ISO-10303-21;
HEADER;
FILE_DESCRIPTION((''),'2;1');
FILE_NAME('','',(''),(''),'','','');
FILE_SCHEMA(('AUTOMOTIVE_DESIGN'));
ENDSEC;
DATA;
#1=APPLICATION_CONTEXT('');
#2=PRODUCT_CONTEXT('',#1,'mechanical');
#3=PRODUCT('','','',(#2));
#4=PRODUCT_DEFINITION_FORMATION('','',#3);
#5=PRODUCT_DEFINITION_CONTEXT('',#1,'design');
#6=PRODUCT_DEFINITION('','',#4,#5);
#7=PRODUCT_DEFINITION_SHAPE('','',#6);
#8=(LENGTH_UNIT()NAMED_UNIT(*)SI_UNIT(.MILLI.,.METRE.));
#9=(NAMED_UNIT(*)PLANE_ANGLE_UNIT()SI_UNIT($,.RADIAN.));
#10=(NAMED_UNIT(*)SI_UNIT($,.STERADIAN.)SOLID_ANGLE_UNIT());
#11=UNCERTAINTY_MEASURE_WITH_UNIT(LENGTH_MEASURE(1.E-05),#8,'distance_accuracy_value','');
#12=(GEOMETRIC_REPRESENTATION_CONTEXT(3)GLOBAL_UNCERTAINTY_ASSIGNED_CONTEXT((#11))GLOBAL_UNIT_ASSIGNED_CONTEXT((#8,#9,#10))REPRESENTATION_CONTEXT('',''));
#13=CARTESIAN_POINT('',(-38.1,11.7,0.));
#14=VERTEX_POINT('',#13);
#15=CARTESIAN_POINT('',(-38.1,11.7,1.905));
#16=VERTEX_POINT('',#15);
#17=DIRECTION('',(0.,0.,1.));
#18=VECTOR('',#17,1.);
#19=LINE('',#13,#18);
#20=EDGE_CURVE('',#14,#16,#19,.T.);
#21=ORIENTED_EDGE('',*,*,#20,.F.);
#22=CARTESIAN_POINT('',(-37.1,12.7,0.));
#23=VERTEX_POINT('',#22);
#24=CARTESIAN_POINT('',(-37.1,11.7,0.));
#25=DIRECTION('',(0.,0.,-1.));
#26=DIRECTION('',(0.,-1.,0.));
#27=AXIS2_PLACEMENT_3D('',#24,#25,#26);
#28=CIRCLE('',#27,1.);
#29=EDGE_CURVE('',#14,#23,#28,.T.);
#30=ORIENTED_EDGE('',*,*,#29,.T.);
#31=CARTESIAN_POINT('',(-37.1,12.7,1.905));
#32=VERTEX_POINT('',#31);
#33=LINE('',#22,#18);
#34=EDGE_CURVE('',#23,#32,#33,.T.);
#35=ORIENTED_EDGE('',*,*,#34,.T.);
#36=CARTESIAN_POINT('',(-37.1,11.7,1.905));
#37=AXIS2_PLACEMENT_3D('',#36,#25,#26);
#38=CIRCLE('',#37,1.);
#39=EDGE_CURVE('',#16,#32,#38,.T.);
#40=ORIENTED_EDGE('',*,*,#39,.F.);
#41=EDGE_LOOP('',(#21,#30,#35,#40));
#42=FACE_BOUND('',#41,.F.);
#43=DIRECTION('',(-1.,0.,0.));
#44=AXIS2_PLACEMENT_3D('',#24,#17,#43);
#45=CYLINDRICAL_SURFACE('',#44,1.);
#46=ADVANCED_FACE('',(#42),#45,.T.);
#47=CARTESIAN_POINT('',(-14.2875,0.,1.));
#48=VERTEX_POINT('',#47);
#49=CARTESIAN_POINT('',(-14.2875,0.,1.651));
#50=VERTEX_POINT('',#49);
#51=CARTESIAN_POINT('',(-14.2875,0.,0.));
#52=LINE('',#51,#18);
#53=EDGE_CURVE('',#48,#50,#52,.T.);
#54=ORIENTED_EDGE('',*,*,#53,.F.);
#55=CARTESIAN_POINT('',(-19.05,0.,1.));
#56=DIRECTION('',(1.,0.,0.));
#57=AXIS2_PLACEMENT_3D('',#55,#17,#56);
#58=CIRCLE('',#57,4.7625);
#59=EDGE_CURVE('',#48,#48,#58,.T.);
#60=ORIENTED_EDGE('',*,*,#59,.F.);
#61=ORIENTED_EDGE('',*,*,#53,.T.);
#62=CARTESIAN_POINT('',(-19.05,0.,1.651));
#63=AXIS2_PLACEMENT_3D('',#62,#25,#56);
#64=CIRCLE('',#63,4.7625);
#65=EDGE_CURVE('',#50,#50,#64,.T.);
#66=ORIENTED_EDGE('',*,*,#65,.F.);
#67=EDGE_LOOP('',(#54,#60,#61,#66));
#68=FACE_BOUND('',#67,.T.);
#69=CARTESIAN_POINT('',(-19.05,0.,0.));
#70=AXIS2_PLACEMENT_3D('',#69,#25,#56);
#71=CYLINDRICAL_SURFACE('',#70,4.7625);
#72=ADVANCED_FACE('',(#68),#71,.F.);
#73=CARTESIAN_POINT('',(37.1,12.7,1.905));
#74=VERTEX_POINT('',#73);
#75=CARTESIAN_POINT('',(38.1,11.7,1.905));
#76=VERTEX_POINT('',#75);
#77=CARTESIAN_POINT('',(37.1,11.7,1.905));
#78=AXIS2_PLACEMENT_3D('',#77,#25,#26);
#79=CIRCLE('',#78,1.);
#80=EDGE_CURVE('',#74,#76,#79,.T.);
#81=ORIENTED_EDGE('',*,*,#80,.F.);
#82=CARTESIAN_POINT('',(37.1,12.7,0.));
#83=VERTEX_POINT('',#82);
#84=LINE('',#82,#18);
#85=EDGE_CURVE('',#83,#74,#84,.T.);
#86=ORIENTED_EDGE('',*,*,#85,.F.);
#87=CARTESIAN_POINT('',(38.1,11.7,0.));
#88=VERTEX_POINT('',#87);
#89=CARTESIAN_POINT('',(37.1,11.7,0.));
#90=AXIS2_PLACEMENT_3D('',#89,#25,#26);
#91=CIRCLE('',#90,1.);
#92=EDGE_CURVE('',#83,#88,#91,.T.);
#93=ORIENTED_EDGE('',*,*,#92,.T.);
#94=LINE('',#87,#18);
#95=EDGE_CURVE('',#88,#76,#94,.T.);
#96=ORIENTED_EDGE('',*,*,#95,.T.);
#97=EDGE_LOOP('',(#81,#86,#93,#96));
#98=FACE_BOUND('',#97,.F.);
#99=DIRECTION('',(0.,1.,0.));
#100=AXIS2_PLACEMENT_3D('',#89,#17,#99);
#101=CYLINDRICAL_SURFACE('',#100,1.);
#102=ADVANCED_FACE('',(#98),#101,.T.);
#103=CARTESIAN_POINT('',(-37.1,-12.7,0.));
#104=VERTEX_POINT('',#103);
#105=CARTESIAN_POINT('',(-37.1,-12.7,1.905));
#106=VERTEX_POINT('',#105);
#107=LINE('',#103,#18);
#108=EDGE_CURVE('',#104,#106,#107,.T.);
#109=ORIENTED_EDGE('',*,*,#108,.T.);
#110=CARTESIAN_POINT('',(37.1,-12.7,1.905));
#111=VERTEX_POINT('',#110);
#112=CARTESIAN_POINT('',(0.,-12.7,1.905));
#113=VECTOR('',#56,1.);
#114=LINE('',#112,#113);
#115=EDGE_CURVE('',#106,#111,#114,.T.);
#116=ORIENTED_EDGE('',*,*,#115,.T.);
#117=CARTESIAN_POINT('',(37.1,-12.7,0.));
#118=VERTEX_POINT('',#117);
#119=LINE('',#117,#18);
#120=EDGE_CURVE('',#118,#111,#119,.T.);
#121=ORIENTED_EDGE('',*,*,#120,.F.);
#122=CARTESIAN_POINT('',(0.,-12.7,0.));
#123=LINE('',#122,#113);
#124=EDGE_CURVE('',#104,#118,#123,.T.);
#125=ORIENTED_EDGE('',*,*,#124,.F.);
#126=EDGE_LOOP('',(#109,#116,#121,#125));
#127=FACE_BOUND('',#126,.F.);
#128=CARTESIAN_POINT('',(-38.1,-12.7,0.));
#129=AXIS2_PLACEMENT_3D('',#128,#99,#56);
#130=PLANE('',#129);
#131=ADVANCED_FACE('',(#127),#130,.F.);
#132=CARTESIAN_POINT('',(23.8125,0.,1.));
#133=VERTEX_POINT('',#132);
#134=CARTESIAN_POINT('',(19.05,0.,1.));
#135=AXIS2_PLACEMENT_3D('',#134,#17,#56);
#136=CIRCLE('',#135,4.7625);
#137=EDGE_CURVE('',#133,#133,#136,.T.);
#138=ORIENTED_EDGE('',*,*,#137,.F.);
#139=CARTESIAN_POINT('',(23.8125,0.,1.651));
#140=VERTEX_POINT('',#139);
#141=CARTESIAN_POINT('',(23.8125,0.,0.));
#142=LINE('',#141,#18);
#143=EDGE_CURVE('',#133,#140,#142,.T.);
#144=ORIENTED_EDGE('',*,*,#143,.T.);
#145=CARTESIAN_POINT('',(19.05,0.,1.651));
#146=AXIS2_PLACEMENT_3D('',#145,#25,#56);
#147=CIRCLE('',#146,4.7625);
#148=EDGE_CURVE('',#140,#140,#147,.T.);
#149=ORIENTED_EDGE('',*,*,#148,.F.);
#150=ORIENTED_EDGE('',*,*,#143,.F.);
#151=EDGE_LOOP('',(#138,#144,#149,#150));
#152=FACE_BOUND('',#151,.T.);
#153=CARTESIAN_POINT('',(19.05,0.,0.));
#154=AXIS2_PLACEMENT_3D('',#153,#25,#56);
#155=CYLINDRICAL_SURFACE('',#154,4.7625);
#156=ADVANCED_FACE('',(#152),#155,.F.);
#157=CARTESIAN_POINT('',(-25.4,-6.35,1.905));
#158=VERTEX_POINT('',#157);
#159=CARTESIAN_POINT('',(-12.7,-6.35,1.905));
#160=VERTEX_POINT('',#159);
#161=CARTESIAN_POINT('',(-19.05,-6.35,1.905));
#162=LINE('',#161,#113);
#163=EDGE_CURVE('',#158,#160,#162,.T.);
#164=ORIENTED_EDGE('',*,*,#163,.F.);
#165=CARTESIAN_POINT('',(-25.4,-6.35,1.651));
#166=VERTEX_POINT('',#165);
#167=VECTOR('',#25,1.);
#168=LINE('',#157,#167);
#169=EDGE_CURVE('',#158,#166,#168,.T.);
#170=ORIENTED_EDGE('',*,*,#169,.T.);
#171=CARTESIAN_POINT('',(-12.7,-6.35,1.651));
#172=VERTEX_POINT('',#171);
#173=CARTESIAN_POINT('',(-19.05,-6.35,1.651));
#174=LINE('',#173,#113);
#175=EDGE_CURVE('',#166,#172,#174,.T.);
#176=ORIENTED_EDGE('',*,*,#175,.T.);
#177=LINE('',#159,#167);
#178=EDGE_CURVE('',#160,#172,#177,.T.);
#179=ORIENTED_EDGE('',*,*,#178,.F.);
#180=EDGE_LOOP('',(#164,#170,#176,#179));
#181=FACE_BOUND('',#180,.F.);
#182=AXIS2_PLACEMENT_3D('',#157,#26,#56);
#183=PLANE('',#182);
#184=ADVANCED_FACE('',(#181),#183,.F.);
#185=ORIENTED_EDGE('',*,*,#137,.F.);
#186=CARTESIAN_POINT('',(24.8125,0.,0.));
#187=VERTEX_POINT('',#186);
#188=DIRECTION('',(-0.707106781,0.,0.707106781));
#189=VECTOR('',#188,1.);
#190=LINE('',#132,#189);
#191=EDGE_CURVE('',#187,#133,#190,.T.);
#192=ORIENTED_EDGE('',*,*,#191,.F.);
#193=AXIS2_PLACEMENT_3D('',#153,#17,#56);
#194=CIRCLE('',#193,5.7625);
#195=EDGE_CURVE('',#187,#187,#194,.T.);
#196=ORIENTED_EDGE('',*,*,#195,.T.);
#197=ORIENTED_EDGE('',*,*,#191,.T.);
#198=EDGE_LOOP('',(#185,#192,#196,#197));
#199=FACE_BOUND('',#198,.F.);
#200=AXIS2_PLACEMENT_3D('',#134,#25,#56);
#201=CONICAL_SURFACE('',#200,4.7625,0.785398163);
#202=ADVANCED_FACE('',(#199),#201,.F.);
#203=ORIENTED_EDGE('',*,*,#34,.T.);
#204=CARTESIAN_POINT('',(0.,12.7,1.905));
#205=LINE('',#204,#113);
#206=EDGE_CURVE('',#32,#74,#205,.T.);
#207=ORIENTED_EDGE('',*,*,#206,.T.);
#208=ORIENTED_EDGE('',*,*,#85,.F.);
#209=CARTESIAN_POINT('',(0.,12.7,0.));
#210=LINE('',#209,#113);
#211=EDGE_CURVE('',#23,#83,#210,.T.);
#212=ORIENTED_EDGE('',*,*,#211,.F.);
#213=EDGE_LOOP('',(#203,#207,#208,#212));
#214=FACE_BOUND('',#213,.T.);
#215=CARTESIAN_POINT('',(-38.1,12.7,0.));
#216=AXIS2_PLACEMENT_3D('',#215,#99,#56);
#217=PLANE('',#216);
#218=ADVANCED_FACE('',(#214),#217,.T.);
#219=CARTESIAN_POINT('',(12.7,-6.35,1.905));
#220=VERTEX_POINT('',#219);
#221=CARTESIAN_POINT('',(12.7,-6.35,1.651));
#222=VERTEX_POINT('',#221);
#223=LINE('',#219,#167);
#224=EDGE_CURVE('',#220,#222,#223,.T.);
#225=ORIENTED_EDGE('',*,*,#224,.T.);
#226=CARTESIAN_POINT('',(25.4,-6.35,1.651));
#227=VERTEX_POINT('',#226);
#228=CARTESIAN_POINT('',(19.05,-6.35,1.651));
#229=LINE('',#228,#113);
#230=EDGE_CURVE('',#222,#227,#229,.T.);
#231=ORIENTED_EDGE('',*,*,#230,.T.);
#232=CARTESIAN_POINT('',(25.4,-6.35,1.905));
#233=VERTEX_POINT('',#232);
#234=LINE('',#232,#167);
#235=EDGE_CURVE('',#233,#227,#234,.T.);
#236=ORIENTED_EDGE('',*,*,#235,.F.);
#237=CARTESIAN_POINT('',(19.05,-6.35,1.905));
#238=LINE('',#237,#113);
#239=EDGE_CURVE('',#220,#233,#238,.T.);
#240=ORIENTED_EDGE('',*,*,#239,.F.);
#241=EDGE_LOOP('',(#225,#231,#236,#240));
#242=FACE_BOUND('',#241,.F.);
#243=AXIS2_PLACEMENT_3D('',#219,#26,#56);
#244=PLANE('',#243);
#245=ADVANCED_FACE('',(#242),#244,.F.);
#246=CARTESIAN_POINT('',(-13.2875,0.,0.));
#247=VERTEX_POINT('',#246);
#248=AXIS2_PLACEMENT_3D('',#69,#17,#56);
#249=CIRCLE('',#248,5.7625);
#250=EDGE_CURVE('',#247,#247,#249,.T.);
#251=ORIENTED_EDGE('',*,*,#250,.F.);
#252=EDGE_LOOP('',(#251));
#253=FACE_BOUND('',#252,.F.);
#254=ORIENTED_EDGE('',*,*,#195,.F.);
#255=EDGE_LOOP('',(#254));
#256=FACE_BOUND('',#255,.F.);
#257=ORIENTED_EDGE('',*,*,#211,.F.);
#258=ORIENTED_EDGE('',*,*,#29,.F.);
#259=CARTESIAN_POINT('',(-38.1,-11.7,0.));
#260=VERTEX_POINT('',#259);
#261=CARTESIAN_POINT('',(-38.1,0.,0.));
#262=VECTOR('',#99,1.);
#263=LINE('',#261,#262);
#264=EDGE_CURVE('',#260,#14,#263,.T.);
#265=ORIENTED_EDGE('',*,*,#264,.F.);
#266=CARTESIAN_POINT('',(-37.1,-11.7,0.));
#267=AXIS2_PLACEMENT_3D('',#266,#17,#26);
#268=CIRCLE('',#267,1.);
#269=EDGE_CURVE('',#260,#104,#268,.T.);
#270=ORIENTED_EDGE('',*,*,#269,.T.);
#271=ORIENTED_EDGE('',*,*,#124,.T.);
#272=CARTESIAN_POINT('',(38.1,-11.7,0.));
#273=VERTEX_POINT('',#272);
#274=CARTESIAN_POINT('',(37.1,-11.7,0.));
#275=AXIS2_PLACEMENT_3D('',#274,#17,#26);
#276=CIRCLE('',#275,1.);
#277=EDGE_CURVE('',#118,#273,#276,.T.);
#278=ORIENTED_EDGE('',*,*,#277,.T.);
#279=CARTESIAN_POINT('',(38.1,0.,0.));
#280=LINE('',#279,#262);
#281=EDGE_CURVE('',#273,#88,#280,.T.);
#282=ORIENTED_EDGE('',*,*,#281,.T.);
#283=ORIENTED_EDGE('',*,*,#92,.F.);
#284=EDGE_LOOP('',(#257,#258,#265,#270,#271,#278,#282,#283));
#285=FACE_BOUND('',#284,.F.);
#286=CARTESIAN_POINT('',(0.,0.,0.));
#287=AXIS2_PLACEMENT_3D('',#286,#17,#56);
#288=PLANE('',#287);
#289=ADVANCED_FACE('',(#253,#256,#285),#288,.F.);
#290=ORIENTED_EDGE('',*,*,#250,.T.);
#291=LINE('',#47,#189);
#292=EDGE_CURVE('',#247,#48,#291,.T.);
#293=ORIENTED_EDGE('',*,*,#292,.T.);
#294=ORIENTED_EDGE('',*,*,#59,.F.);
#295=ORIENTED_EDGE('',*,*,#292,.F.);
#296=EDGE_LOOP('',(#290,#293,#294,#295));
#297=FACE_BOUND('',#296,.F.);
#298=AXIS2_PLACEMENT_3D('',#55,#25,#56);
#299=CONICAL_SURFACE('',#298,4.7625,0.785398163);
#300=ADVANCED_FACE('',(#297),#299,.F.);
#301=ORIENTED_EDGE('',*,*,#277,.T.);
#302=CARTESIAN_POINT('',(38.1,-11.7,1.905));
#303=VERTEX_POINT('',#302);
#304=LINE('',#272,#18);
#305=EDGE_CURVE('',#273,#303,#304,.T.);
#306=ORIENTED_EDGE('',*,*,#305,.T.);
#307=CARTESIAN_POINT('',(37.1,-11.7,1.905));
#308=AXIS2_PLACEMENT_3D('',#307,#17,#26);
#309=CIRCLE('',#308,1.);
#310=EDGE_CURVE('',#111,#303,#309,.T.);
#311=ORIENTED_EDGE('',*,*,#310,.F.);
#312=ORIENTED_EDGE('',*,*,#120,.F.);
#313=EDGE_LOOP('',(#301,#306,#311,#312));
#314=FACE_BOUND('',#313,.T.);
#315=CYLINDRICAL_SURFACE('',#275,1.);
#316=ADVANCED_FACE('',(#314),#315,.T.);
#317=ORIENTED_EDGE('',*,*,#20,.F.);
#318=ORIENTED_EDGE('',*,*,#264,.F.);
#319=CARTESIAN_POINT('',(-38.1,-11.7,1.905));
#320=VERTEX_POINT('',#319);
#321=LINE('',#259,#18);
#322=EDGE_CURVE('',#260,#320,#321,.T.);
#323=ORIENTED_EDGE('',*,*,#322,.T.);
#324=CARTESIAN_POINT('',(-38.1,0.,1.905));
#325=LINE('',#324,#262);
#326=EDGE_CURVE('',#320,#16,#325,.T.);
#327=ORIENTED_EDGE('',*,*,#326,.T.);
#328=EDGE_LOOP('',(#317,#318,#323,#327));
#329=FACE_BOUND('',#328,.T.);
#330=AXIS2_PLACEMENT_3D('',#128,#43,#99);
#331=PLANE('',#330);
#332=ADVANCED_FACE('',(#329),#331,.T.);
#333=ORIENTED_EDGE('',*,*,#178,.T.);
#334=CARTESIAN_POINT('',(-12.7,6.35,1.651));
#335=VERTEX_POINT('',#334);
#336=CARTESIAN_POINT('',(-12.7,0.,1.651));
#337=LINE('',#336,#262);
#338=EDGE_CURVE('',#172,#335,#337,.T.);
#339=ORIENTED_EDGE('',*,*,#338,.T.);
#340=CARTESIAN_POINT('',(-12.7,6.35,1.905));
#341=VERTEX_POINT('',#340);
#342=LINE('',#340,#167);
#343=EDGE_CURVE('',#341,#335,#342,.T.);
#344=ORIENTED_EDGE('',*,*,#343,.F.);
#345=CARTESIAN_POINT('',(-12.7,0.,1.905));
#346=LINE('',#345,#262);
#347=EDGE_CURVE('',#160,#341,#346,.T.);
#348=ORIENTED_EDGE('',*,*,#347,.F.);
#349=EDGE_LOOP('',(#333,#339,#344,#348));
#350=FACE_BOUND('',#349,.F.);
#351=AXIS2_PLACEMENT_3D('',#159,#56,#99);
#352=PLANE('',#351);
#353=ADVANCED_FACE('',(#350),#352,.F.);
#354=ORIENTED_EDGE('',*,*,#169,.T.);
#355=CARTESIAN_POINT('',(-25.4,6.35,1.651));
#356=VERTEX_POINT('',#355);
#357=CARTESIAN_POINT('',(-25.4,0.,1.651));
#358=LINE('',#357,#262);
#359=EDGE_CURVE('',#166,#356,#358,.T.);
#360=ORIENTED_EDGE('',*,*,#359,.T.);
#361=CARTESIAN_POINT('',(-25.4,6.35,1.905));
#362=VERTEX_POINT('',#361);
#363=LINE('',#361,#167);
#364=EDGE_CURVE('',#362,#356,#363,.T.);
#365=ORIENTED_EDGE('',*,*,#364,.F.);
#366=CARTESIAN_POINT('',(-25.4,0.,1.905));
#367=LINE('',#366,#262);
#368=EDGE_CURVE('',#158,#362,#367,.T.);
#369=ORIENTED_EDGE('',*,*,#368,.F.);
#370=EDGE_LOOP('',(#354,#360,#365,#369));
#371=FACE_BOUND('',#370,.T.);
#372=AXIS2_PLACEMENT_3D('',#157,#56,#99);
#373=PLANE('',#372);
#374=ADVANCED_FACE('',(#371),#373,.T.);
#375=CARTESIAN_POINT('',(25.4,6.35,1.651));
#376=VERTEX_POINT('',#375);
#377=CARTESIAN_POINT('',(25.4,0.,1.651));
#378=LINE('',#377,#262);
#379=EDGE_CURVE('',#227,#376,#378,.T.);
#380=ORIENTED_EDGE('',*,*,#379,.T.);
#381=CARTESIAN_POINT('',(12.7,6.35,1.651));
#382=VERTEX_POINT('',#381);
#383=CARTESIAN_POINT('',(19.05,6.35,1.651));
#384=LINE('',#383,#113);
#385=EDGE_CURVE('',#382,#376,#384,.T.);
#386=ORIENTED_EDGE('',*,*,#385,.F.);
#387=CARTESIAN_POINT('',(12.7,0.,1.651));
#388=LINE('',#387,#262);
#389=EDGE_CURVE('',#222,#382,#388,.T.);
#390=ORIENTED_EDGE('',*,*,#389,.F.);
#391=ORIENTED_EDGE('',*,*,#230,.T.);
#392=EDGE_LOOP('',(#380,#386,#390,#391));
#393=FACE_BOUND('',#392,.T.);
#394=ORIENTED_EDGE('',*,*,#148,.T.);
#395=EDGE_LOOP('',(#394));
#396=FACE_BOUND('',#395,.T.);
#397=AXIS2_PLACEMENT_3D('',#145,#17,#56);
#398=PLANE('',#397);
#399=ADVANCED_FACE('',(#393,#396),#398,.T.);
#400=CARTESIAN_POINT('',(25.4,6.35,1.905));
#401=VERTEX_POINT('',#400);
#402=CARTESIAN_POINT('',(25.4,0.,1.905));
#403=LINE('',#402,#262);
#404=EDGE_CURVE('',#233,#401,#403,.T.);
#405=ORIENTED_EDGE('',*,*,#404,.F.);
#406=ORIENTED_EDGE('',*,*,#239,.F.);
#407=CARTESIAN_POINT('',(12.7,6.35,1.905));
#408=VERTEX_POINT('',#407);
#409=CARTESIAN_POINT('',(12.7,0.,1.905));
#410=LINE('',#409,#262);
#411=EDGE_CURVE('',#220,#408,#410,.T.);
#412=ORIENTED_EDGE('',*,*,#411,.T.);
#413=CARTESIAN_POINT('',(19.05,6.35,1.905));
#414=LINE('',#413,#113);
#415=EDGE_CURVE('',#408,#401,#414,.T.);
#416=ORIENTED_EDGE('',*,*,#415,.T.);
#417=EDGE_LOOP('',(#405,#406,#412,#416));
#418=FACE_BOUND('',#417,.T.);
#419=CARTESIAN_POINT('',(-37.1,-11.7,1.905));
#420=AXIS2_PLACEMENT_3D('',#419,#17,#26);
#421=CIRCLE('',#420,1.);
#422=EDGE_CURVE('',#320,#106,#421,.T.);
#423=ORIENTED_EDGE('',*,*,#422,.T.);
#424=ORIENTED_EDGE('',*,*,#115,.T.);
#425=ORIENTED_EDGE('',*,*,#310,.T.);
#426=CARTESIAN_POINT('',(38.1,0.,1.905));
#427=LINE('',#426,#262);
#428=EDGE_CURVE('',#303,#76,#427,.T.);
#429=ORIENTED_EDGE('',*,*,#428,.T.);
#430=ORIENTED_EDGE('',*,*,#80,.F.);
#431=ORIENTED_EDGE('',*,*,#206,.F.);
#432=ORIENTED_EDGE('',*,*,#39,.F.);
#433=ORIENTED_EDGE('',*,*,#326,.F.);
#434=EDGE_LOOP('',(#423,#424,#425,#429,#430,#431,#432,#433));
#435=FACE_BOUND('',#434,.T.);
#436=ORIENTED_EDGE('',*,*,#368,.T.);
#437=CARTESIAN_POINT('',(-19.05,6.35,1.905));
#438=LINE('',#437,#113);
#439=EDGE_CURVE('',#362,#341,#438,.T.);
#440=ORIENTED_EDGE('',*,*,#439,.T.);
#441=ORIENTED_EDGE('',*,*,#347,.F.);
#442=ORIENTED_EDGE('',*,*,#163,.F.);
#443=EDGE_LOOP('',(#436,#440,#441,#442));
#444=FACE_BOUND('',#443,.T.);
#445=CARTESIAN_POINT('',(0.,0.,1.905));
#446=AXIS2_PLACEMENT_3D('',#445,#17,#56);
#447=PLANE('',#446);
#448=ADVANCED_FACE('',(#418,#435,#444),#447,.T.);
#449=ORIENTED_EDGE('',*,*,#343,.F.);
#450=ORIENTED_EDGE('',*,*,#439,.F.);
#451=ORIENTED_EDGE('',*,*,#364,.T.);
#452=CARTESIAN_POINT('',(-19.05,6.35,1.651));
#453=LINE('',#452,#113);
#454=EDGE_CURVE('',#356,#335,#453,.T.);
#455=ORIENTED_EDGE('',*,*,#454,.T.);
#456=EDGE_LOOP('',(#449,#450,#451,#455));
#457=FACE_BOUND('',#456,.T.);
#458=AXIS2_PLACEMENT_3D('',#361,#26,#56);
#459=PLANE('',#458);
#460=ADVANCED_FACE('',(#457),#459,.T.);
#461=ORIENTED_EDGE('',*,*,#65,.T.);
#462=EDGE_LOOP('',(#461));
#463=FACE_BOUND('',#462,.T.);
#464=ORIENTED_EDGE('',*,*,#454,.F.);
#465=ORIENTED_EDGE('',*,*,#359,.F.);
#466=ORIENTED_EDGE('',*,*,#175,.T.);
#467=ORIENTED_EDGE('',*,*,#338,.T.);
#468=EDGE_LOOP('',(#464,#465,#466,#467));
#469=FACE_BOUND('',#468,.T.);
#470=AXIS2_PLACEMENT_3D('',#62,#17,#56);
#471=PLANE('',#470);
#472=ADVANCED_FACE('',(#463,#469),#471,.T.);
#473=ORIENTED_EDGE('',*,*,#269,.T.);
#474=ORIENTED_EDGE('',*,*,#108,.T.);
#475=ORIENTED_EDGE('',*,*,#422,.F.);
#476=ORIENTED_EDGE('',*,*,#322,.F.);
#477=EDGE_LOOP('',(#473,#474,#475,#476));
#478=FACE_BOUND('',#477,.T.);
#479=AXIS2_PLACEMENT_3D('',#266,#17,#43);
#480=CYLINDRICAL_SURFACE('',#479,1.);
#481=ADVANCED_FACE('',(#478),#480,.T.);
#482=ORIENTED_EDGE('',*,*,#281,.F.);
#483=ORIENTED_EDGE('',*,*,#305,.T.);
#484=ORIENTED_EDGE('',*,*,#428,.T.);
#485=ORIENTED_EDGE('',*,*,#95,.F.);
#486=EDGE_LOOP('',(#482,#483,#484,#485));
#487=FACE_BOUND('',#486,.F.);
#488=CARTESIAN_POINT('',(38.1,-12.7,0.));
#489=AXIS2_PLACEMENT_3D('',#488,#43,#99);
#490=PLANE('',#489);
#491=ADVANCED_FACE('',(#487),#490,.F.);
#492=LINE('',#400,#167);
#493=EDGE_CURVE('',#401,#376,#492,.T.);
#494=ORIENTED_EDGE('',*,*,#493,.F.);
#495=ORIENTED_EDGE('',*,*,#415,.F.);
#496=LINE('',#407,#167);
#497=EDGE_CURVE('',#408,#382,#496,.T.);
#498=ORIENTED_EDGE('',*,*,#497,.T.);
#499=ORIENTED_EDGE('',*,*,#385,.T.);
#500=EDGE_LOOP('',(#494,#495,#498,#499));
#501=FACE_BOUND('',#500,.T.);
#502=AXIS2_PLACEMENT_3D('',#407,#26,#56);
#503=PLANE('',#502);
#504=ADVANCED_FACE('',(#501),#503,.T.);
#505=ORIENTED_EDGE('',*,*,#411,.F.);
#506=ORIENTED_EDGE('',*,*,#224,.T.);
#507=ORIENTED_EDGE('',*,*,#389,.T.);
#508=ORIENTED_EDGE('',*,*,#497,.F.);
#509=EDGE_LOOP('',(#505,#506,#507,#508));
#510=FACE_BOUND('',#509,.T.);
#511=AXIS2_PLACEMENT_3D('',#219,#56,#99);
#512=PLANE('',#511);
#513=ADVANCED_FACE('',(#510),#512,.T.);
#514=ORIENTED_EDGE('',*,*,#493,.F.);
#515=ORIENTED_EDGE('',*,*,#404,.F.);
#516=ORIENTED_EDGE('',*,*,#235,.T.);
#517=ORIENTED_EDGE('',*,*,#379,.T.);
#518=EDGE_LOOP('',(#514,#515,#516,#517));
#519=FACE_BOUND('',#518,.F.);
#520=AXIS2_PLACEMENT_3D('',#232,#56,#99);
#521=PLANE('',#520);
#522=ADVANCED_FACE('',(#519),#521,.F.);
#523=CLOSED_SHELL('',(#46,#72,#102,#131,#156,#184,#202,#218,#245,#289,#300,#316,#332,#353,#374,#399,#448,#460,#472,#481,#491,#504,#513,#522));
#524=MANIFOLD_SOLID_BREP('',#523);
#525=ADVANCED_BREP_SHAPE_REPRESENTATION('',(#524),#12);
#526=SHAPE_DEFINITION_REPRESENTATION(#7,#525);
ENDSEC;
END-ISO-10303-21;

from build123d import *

# Parameters (mm, degrees)
SKETCH_W     = 76.2
SKETCH_H     = 25.4
SKETCH_R     = 4.7625
PAD_DEPTH    = 1.905
SKETCH001_W  = 12.7
SKETCH001_H  = 12.7
POCKET_DEPTH = 0.254
CHAMFER_SIZE = 1
FILLET_R     = 1


with BuildPart() as part:
    # Sketch → Pad (new body)
    with BuildSketch(Plane.XY):
        Rectangle(SKETCH_W, SKETCH_H)
        with Locations((-19.05, 0)):
            Circle(SKETCH_R, mode=Mode.SUBTRACT)
        with Locations((19.05, 0)):
            Circle(SKETCH_R, mode=Mode.SUBTRACT)
    extrude(amount=PAD_DEPTH)

    # Sketch001 → Pocket (cut)
    with BuildSketch(Plane.XY.offset(1.905)):
        with Locations((-19.05, 0)):
            Rectangle(SKETCH001_W, SKETCH001_H)
        with Locations((19.05, 0)):
            Rectangle(SKETCH001_W, SKETCH001_H)
    extrude(amount=-POCKET_DEPTH, mode=Mode.SUBTRACT)

    # Chamfer
    chamfer_edges = [part.edges().sort_by_distance(p)[0] for p in [
        (14.2875, 0, 0),
        (-23.8125, 0, 0),
    ]]
    chamfer(chamfer_edges, length=CHAMFER_SIZE)

    # Fillet
    fillet_edges = [part.edges().sort_by_distance(p)[0] for p in [
        (38.1, 12.7, 0.9525),
        (38.1, -12.7, 0.9525),
        (-38.1, -12.7, 0.9525),
        (-38.1, 12.7, 0.9525),
    ]]
    fillet(fillet_edges, radius=FILLET_R)


solid = part.part
